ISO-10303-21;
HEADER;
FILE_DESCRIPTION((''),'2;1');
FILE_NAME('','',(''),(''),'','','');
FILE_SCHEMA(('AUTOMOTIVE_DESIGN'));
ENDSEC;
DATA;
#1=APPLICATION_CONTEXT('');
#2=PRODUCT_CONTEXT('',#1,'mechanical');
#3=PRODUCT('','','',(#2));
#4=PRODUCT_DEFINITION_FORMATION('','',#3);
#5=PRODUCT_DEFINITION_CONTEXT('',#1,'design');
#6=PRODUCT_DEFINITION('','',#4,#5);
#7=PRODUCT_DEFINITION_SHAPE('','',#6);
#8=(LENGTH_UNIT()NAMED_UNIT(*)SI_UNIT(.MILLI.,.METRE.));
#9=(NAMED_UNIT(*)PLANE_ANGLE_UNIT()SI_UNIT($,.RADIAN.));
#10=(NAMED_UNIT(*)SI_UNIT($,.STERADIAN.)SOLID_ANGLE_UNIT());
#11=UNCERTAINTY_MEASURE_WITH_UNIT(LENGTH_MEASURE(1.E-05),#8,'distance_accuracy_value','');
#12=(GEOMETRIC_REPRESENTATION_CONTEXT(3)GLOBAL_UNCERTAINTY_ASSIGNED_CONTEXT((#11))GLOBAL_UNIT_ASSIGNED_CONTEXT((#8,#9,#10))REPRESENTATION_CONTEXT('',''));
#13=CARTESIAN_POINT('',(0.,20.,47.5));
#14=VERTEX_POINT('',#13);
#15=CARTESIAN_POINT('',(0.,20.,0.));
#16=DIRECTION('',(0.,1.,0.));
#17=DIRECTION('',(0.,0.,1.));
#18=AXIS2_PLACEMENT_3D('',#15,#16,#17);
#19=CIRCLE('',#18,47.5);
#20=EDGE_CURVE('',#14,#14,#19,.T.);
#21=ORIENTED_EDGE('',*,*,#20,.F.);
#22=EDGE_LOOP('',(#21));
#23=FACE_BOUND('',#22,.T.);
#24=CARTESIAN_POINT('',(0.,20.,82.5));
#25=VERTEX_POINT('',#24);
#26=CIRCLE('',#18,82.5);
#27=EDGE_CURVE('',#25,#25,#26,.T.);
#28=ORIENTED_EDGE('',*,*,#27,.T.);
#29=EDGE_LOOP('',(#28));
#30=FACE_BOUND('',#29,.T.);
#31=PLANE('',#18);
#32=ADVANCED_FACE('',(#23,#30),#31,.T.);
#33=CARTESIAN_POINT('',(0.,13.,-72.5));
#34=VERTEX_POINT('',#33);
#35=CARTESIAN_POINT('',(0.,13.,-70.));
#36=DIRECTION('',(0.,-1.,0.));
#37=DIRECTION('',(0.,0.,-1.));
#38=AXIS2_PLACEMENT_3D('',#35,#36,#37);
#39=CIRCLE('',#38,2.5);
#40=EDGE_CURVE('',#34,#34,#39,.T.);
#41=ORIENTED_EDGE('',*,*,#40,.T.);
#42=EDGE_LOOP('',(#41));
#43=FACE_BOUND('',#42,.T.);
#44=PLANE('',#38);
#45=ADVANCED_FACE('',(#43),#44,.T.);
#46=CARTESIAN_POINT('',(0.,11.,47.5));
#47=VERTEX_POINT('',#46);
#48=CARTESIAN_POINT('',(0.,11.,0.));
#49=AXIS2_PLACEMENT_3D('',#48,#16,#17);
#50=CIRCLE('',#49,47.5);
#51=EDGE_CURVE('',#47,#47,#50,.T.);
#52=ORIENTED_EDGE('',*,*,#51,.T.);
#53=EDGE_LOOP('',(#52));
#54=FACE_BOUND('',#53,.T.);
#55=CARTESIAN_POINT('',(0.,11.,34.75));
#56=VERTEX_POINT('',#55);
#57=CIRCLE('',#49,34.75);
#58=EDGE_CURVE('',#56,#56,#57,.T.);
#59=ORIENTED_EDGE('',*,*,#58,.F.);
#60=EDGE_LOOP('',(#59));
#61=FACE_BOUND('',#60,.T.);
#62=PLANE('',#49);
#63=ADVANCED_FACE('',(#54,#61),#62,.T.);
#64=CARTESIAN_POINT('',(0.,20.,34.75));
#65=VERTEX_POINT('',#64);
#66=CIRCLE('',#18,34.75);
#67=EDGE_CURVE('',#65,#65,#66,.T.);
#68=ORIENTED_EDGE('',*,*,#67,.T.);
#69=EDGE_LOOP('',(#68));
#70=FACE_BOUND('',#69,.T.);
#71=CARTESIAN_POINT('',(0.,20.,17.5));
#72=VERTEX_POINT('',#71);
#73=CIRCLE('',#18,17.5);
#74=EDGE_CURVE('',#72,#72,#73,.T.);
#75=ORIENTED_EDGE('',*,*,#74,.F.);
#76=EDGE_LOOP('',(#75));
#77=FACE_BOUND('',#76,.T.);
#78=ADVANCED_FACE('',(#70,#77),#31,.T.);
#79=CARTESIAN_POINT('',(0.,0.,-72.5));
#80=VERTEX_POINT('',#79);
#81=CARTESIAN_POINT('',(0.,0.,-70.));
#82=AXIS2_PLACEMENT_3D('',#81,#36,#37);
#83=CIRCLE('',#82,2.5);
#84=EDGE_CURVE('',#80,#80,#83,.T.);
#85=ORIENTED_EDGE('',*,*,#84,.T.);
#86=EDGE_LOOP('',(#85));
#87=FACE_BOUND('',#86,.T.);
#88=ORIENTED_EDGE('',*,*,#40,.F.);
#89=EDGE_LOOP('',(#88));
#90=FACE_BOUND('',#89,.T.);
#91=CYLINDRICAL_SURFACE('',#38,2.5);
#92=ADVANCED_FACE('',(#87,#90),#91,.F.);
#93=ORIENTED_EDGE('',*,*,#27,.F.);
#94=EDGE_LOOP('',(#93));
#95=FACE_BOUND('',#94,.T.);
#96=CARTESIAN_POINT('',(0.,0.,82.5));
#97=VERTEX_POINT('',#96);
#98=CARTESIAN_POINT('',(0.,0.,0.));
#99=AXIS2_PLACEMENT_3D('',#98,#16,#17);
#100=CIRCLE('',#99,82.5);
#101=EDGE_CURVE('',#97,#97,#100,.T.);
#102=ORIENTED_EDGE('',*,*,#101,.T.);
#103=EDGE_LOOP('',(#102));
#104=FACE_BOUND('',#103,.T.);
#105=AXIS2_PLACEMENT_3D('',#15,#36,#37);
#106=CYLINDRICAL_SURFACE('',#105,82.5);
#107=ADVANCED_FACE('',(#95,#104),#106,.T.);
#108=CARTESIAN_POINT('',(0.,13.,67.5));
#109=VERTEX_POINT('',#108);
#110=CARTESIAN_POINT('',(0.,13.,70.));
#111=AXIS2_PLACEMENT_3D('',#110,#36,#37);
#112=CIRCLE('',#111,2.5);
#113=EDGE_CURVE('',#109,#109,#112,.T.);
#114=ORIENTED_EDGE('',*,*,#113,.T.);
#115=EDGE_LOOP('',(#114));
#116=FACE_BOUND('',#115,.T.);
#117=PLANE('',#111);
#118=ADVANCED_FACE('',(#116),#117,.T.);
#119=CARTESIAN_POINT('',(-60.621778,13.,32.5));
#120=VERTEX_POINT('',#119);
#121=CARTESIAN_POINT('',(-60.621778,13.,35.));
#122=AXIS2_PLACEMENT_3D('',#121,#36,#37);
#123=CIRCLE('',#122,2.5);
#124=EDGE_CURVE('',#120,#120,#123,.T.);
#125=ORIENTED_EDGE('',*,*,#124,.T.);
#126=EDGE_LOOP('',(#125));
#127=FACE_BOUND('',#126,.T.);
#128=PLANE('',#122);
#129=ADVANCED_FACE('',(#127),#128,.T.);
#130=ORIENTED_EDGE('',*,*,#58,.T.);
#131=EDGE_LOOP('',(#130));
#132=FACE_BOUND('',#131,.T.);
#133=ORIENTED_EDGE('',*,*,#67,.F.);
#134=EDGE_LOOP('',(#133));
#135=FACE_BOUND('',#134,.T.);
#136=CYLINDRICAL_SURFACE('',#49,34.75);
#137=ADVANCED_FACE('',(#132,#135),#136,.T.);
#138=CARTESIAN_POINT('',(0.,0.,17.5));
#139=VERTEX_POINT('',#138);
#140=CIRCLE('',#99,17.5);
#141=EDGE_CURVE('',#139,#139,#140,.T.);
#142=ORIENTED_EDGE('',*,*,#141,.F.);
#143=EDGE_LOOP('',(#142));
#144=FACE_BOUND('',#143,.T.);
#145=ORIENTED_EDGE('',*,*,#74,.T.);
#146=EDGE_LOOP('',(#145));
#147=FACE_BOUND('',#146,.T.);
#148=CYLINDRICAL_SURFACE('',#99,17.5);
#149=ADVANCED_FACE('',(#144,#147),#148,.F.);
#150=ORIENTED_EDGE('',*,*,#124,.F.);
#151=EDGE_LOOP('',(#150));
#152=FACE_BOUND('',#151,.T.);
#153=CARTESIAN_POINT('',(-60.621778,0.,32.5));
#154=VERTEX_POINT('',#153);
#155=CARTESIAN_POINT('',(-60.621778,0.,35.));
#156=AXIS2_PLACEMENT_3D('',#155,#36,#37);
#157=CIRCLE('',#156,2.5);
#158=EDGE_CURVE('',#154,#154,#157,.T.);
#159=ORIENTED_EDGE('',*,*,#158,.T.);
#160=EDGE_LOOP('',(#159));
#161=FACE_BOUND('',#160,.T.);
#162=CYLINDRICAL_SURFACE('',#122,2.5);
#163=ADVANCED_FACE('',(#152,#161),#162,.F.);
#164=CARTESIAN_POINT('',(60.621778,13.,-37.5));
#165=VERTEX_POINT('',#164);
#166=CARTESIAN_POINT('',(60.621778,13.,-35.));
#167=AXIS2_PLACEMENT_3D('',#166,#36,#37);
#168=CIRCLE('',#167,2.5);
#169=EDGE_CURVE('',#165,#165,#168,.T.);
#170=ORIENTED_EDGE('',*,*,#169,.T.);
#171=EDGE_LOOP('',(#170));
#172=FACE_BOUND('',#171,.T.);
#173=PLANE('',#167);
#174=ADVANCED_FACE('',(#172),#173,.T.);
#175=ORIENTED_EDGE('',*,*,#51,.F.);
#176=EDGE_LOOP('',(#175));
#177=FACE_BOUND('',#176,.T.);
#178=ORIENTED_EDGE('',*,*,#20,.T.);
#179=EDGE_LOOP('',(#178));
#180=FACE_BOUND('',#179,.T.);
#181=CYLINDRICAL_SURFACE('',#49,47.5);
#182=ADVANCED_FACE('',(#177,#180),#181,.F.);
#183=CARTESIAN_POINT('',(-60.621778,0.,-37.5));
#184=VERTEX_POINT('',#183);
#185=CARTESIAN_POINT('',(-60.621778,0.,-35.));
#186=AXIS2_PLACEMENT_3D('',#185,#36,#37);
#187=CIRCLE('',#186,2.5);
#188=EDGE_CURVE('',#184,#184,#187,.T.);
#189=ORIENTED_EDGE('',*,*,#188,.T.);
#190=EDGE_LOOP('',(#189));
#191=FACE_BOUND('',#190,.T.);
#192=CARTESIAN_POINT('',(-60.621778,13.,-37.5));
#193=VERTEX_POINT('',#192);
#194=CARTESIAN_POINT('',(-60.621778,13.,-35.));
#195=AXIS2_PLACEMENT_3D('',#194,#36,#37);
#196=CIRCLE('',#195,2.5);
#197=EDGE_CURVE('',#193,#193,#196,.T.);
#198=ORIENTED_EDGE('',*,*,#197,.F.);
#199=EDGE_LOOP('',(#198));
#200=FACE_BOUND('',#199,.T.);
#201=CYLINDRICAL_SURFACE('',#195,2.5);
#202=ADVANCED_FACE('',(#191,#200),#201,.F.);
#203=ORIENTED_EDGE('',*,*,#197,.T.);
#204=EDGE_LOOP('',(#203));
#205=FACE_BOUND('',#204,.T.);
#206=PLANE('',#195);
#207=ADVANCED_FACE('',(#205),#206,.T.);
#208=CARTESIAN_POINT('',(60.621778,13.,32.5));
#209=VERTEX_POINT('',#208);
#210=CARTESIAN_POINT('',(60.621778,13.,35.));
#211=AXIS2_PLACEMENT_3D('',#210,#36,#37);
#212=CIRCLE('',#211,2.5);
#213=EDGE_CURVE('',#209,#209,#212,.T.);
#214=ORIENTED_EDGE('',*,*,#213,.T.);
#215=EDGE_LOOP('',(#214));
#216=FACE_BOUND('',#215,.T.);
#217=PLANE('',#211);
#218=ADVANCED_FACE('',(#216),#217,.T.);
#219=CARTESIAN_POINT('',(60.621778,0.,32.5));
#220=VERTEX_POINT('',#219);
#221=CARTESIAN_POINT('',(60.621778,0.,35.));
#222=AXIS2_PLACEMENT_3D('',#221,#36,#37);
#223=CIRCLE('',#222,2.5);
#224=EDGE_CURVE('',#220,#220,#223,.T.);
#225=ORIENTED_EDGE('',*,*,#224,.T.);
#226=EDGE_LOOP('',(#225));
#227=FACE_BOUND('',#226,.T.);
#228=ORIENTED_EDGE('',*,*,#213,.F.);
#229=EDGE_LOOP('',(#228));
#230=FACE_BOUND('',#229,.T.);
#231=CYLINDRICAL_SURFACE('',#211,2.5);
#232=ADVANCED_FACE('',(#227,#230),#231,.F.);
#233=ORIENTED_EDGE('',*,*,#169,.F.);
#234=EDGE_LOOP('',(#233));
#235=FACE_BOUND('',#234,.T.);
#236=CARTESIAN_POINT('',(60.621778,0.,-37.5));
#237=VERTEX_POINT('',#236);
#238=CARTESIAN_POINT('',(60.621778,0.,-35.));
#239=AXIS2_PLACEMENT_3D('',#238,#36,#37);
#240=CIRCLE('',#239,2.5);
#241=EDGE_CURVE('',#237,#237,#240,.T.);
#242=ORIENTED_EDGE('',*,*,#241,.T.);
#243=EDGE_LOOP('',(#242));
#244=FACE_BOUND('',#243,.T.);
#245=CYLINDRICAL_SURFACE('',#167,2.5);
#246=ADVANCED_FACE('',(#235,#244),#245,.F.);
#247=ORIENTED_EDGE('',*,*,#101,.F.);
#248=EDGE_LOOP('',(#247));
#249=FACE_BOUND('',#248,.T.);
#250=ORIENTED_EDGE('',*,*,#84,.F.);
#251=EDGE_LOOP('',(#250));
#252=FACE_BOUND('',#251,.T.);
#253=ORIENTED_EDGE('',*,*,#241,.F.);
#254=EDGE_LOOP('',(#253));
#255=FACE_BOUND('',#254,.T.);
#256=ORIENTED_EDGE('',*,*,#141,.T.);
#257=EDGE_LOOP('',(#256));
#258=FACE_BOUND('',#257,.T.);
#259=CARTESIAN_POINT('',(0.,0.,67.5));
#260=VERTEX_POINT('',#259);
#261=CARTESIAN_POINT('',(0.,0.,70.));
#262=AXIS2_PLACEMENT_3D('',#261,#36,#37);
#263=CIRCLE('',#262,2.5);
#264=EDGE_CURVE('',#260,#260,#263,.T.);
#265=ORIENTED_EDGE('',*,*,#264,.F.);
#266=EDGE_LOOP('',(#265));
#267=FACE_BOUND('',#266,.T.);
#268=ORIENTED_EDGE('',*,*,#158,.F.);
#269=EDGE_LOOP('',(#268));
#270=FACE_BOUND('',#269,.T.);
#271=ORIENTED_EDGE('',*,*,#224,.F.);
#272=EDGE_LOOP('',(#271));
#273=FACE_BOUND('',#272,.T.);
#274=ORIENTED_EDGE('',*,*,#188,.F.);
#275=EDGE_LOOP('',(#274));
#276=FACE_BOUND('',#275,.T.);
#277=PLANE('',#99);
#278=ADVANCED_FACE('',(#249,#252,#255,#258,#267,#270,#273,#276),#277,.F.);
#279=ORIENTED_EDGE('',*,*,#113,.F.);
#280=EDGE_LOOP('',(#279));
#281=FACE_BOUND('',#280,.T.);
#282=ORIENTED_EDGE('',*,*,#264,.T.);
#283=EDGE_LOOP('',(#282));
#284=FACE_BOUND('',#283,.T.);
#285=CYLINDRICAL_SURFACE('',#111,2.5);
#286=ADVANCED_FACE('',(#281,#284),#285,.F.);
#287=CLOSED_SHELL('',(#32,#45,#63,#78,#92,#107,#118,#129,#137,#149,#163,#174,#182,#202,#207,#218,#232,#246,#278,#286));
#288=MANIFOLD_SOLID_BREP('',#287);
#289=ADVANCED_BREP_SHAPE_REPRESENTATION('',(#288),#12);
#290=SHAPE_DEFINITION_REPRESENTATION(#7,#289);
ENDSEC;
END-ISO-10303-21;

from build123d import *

# Parameters (mm, degrees)
SKETCH1_R           = 82.5
BOSS_EXTRUDE1_DEPTH = 20
SKETCH2_R           = 17.5
CUT_EXTRUDE1_DEPTH  = 20
SKETCH3_R           = 47.5
SKETCH3_R_2         = 34.75
CUT_EXTRUDE2_DEPTH  = 9
SKETCH4_R           = 2.5
CUT_EXTRUDE3_DEPTH  = 13


with BuildPart() as part:
    # Sketch1 → Boss-Extrude1 (new body)
    with BuildSketch(Plane(origin=(0, 0, 0), x_dir=(1, 0, 0), z_dir=(0, 1, 0))):
        Circle(SKETCH1_R)
    extrude(amount=BOSS_EXTRUDE1_DEPTH)

    # Sketch2 → Cut-Extrude1 (cut)
    with BuildSketch(Plane(origin=(0, 20, 0), x_dir=(1, 0, 0), z_dir=(0, 1, 0))):
        Circle(SKETCH2_R)
    extrude(amount=-CUT_EXTRUDE1_DEPTH, mode=Mode.SUBTRACT)

    # Sketch3 → Cut-Extrude2 (cut)
    with BuildSketch(Plane(origin=(0, 20, 0), x_dir=(1, 0, 0), z_dir=(0, 1, 0))):
        Circle(SKETCH3_R)
        Circle(SKETCH3_R_2, mode=Mode.SUBTRACT)
    extrude(amount=-CUT_EXTRUDE2_DEPTH, mode=Mode.SUBTRACT)

    # Sketch4 → Cut-Extrude3 (cut)
    with BuildSketch(Plane.XZ):
        with Locations((0, 70)):
            Circle(SKETCH4_R)
        with Locations((60.621778265, 35)):
            Circle(SKETCH4_R)
        with Locations((60.621778265, -35)):
            Circle(SKETCH4_R)
        with Locations((0, -70)):
            Circle(SKETCH4_R)
        with Locations((-60.621778265, -35)):
            Circle(SKETCH4_R)
        with Locations((-60.621778265, 35)):
            Circle(SKETCH4_R)
    extrude(amount=-CUT_EXTRUDE3_DEPTH, mode=Mode.SUBTRACT)


solid = part.part
